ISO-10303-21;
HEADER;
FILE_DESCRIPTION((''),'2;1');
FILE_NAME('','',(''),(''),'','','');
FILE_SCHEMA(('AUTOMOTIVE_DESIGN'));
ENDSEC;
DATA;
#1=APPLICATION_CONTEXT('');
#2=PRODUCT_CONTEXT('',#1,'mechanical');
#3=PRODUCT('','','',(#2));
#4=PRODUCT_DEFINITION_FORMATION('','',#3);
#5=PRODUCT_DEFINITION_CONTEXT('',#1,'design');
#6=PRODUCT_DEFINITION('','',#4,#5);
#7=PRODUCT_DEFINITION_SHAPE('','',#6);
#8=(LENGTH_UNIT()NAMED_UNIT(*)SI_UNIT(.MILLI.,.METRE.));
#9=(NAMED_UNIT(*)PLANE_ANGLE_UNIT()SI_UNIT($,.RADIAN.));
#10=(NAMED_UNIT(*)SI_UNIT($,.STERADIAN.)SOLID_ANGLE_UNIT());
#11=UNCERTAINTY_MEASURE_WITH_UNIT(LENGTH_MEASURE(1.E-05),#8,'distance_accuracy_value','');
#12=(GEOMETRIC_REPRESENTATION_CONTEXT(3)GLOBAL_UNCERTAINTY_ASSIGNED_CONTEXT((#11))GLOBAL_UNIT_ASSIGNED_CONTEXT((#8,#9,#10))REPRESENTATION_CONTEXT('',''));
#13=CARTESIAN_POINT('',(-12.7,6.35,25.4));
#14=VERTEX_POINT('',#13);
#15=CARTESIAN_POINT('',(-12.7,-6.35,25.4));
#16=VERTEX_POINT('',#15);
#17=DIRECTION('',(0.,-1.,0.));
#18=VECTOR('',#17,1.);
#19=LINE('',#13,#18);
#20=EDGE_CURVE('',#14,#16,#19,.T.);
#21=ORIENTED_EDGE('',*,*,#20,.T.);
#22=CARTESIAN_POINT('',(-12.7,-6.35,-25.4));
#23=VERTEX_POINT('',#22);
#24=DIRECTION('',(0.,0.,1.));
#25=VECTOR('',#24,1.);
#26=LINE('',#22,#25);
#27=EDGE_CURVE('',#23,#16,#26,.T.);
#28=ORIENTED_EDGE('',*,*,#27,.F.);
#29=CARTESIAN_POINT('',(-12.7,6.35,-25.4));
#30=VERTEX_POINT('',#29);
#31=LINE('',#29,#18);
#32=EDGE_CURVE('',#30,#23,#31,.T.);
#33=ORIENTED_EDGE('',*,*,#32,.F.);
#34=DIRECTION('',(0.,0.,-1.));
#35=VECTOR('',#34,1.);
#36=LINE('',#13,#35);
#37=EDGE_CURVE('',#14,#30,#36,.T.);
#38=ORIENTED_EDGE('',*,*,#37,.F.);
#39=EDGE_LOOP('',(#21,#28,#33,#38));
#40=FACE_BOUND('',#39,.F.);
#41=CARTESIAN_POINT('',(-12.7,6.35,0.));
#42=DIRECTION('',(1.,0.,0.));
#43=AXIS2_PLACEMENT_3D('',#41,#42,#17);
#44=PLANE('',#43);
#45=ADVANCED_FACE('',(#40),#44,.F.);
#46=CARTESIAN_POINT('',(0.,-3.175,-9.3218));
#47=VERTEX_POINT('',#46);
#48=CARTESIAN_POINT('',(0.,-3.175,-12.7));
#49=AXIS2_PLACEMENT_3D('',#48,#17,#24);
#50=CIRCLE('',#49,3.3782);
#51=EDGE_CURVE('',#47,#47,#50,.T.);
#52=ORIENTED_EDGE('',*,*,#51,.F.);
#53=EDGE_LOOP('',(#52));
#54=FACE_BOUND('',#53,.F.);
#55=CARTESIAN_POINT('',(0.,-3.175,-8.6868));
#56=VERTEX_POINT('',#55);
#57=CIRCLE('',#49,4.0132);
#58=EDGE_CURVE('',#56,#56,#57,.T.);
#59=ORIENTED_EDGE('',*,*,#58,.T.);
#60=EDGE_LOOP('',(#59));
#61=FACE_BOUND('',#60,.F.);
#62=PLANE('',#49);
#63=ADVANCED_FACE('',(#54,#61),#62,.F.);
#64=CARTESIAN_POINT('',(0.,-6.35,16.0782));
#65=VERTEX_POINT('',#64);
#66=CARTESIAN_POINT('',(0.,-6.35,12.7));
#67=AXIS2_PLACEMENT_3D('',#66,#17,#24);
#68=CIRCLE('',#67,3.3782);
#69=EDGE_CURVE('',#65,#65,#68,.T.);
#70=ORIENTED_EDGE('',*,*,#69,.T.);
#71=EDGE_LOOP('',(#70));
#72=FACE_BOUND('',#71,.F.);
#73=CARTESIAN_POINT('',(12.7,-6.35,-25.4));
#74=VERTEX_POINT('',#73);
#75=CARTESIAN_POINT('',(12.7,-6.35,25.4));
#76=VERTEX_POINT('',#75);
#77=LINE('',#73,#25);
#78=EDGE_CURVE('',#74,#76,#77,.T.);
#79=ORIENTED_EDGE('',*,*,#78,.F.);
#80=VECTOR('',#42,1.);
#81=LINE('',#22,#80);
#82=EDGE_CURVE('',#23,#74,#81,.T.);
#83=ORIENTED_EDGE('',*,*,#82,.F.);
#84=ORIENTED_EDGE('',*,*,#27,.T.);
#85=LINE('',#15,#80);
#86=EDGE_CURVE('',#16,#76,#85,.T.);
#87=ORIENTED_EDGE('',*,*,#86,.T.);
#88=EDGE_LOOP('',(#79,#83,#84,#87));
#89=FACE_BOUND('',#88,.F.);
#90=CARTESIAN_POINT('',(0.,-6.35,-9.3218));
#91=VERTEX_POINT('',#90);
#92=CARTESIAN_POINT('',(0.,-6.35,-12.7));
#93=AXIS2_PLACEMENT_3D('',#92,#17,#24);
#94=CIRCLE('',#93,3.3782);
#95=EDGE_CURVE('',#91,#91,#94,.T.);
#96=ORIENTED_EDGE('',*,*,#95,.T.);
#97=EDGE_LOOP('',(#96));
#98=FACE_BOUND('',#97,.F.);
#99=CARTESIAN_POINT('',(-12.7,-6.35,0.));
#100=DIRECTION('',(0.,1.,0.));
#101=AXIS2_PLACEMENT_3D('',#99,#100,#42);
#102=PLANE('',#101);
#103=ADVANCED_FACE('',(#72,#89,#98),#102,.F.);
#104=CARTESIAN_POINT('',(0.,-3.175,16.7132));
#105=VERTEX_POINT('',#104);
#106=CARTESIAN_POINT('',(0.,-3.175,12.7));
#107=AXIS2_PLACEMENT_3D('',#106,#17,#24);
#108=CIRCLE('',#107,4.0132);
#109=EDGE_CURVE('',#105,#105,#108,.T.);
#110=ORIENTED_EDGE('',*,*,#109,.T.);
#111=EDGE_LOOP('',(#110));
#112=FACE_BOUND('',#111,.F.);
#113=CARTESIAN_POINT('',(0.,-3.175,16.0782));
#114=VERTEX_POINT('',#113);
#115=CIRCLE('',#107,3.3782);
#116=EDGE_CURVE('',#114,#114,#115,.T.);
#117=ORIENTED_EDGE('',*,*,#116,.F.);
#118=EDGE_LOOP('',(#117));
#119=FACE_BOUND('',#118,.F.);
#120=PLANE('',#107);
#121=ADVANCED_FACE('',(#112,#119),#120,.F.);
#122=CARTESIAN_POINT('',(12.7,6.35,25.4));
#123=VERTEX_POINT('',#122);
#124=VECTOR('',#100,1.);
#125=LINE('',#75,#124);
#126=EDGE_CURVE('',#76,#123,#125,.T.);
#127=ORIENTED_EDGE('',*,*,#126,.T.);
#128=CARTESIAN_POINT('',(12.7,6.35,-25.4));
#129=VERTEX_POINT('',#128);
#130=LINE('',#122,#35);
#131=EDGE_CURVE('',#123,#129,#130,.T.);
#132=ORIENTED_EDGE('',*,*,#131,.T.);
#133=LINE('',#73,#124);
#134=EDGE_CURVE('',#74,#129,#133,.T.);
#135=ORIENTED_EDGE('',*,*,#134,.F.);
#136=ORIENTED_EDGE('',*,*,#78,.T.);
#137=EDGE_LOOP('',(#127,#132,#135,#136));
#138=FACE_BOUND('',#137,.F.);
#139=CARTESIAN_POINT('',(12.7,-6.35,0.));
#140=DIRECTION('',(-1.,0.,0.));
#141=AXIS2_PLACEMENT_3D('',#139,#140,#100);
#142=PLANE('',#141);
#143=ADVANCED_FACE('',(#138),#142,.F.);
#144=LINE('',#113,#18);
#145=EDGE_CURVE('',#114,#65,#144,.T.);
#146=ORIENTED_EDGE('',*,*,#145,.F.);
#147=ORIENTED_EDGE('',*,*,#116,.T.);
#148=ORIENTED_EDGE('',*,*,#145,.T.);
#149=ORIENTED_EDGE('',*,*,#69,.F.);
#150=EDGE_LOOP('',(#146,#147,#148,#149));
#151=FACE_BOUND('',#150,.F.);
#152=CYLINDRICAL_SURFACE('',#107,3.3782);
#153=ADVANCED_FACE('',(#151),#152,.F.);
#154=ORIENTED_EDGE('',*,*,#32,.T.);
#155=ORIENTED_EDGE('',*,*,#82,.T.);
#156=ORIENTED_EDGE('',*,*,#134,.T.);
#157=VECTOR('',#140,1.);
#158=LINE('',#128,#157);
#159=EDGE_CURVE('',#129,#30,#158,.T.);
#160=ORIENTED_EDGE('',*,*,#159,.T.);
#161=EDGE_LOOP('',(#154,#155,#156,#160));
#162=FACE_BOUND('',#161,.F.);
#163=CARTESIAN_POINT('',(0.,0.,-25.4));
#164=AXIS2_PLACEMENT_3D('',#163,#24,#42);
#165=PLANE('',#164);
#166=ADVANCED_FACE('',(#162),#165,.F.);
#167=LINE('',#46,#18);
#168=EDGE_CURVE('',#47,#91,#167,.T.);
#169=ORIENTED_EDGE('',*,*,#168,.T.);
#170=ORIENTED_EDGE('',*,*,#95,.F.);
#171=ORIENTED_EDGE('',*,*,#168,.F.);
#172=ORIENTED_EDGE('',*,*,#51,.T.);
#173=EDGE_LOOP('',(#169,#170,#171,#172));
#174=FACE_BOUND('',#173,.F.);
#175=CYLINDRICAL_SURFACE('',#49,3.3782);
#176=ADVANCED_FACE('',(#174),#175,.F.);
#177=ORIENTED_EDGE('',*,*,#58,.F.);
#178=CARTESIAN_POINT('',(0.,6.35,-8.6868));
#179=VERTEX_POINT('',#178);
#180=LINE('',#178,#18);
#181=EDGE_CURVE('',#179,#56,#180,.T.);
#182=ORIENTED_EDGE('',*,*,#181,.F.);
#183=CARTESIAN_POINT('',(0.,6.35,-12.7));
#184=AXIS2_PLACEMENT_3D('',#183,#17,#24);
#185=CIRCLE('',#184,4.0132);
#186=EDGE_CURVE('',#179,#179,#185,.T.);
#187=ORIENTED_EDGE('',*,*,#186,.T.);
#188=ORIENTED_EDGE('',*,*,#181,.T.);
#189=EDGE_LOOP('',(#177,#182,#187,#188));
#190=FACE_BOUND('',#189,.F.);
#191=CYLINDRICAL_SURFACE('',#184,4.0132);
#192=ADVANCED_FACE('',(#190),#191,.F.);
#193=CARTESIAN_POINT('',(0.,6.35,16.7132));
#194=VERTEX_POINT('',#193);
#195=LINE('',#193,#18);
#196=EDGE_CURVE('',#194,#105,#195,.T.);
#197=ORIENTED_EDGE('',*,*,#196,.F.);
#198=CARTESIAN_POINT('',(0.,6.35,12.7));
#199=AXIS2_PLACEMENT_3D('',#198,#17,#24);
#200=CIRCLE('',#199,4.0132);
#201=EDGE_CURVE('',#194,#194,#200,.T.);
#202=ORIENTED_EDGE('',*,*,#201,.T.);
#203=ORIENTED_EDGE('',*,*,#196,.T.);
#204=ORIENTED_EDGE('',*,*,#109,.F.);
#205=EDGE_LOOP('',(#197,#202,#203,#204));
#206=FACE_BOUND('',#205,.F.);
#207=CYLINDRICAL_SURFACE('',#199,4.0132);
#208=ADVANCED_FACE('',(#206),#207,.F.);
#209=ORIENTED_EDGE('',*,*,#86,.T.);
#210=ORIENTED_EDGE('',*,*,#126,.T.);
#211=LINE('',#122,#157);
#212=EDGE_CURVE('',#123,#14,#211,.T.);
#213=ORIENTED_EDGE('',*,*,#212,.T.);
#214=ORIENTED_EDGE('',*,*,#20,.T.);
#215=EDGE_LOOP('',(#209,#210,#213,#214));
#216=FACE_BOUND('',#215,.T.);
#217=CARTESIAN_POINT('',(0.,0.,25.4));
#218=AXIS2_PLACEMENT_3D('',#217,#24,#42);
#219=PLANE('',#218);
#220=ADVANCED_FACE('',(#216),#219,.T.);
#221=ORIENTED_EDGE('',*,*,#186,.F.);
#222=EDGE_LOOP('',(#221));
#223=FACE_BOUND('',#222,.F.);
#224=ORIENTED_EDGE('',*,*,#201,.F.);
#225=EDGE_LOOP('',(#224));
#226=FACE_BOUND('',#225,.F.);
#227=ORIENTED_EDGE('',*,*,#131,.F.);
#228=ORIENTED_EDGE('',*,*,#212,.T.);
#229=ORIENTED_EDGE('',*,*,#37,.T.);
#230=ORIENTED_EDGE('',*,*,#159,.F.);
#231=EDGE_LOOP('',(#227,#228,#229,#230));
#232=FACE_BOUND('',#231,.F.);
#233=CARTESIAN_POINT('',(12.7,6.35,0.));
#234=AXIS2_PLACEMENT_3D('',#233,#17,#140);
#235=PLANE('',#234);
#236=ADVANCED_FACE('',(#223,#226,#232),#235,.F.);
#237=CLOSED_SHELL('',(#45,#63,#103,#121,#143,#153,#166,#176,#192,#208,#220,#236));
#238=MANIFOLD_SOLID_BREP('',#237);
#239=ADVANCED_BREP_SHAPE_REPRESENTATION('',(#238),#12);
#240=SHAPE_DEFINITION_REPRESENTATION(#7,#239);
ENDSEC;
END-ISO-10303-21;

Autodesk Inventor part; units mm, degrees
ref_plane "YZ Plane" through (0, 0, 0) normal (1, 0, 0) x (0, 1, 0)
ref_plane "XZ Plane" through (0, 0, 0) normal (0, 1, 0) x (-1, 0, 0)
ref_plane "XY Plane" through (0, 0, 0) normal (0, 0, 1) x (1, 0, 0)
sketch "Sketch1" plane through (0, 0, 0) normal (0, 0, 1) x (1, 0, 0)
  line L0 (-12.7, -6.35) -> (12.7, -6.35)
  line L1 (12.7, -6.35) -> (12.7, 6.35)
  line L2 (12.7, 6.35) -> (-12.7, 6.35)
  line L3 (-12.7, 6.35) -> (-12.7, -6.35)
  line L4 (-12.7, -6.35) -> (12.7, 6.35) construction
  line L5 (12.7, -6.35) -> (-12.7, 6.35) construction
  point P0 (0, 0)
  dimension "d0" = 25.4
  dimension "d1" = 12.7
extrude "Extrusion1" add sketch "Sketch1" along normal mid plane 50.8
sketch "Sketch2" plane through (-12.7, 6.35, 25.4) normal (0, 1, 0) x (1, 0, 0)
  line L0 (25.4, 0) -> (0, 0) projected
  line L1 (0, 50.8) -> (25.4, 50.8) projected
  point P0 (12.7, 25.4)
  point P1 (12.7, 12.7)
  point P2 (12.7, 38.1)
  dimension "d11" = 12.7
  dimension "d12" = 12.7
hole "Hole1" at (0, 6.35, 12.7) at (0, 6.35, -12.7) direction (0, -1, 0) diameter 6.7564 end through all counterbore diameter 8.0264 counterbore depth 9.525 clearance for "Hex Head Bolt" size "1/4" standard "Ansi Unified Screw Threads"
properties part number "seatingPartsExample" material "Phenolic Resin"
